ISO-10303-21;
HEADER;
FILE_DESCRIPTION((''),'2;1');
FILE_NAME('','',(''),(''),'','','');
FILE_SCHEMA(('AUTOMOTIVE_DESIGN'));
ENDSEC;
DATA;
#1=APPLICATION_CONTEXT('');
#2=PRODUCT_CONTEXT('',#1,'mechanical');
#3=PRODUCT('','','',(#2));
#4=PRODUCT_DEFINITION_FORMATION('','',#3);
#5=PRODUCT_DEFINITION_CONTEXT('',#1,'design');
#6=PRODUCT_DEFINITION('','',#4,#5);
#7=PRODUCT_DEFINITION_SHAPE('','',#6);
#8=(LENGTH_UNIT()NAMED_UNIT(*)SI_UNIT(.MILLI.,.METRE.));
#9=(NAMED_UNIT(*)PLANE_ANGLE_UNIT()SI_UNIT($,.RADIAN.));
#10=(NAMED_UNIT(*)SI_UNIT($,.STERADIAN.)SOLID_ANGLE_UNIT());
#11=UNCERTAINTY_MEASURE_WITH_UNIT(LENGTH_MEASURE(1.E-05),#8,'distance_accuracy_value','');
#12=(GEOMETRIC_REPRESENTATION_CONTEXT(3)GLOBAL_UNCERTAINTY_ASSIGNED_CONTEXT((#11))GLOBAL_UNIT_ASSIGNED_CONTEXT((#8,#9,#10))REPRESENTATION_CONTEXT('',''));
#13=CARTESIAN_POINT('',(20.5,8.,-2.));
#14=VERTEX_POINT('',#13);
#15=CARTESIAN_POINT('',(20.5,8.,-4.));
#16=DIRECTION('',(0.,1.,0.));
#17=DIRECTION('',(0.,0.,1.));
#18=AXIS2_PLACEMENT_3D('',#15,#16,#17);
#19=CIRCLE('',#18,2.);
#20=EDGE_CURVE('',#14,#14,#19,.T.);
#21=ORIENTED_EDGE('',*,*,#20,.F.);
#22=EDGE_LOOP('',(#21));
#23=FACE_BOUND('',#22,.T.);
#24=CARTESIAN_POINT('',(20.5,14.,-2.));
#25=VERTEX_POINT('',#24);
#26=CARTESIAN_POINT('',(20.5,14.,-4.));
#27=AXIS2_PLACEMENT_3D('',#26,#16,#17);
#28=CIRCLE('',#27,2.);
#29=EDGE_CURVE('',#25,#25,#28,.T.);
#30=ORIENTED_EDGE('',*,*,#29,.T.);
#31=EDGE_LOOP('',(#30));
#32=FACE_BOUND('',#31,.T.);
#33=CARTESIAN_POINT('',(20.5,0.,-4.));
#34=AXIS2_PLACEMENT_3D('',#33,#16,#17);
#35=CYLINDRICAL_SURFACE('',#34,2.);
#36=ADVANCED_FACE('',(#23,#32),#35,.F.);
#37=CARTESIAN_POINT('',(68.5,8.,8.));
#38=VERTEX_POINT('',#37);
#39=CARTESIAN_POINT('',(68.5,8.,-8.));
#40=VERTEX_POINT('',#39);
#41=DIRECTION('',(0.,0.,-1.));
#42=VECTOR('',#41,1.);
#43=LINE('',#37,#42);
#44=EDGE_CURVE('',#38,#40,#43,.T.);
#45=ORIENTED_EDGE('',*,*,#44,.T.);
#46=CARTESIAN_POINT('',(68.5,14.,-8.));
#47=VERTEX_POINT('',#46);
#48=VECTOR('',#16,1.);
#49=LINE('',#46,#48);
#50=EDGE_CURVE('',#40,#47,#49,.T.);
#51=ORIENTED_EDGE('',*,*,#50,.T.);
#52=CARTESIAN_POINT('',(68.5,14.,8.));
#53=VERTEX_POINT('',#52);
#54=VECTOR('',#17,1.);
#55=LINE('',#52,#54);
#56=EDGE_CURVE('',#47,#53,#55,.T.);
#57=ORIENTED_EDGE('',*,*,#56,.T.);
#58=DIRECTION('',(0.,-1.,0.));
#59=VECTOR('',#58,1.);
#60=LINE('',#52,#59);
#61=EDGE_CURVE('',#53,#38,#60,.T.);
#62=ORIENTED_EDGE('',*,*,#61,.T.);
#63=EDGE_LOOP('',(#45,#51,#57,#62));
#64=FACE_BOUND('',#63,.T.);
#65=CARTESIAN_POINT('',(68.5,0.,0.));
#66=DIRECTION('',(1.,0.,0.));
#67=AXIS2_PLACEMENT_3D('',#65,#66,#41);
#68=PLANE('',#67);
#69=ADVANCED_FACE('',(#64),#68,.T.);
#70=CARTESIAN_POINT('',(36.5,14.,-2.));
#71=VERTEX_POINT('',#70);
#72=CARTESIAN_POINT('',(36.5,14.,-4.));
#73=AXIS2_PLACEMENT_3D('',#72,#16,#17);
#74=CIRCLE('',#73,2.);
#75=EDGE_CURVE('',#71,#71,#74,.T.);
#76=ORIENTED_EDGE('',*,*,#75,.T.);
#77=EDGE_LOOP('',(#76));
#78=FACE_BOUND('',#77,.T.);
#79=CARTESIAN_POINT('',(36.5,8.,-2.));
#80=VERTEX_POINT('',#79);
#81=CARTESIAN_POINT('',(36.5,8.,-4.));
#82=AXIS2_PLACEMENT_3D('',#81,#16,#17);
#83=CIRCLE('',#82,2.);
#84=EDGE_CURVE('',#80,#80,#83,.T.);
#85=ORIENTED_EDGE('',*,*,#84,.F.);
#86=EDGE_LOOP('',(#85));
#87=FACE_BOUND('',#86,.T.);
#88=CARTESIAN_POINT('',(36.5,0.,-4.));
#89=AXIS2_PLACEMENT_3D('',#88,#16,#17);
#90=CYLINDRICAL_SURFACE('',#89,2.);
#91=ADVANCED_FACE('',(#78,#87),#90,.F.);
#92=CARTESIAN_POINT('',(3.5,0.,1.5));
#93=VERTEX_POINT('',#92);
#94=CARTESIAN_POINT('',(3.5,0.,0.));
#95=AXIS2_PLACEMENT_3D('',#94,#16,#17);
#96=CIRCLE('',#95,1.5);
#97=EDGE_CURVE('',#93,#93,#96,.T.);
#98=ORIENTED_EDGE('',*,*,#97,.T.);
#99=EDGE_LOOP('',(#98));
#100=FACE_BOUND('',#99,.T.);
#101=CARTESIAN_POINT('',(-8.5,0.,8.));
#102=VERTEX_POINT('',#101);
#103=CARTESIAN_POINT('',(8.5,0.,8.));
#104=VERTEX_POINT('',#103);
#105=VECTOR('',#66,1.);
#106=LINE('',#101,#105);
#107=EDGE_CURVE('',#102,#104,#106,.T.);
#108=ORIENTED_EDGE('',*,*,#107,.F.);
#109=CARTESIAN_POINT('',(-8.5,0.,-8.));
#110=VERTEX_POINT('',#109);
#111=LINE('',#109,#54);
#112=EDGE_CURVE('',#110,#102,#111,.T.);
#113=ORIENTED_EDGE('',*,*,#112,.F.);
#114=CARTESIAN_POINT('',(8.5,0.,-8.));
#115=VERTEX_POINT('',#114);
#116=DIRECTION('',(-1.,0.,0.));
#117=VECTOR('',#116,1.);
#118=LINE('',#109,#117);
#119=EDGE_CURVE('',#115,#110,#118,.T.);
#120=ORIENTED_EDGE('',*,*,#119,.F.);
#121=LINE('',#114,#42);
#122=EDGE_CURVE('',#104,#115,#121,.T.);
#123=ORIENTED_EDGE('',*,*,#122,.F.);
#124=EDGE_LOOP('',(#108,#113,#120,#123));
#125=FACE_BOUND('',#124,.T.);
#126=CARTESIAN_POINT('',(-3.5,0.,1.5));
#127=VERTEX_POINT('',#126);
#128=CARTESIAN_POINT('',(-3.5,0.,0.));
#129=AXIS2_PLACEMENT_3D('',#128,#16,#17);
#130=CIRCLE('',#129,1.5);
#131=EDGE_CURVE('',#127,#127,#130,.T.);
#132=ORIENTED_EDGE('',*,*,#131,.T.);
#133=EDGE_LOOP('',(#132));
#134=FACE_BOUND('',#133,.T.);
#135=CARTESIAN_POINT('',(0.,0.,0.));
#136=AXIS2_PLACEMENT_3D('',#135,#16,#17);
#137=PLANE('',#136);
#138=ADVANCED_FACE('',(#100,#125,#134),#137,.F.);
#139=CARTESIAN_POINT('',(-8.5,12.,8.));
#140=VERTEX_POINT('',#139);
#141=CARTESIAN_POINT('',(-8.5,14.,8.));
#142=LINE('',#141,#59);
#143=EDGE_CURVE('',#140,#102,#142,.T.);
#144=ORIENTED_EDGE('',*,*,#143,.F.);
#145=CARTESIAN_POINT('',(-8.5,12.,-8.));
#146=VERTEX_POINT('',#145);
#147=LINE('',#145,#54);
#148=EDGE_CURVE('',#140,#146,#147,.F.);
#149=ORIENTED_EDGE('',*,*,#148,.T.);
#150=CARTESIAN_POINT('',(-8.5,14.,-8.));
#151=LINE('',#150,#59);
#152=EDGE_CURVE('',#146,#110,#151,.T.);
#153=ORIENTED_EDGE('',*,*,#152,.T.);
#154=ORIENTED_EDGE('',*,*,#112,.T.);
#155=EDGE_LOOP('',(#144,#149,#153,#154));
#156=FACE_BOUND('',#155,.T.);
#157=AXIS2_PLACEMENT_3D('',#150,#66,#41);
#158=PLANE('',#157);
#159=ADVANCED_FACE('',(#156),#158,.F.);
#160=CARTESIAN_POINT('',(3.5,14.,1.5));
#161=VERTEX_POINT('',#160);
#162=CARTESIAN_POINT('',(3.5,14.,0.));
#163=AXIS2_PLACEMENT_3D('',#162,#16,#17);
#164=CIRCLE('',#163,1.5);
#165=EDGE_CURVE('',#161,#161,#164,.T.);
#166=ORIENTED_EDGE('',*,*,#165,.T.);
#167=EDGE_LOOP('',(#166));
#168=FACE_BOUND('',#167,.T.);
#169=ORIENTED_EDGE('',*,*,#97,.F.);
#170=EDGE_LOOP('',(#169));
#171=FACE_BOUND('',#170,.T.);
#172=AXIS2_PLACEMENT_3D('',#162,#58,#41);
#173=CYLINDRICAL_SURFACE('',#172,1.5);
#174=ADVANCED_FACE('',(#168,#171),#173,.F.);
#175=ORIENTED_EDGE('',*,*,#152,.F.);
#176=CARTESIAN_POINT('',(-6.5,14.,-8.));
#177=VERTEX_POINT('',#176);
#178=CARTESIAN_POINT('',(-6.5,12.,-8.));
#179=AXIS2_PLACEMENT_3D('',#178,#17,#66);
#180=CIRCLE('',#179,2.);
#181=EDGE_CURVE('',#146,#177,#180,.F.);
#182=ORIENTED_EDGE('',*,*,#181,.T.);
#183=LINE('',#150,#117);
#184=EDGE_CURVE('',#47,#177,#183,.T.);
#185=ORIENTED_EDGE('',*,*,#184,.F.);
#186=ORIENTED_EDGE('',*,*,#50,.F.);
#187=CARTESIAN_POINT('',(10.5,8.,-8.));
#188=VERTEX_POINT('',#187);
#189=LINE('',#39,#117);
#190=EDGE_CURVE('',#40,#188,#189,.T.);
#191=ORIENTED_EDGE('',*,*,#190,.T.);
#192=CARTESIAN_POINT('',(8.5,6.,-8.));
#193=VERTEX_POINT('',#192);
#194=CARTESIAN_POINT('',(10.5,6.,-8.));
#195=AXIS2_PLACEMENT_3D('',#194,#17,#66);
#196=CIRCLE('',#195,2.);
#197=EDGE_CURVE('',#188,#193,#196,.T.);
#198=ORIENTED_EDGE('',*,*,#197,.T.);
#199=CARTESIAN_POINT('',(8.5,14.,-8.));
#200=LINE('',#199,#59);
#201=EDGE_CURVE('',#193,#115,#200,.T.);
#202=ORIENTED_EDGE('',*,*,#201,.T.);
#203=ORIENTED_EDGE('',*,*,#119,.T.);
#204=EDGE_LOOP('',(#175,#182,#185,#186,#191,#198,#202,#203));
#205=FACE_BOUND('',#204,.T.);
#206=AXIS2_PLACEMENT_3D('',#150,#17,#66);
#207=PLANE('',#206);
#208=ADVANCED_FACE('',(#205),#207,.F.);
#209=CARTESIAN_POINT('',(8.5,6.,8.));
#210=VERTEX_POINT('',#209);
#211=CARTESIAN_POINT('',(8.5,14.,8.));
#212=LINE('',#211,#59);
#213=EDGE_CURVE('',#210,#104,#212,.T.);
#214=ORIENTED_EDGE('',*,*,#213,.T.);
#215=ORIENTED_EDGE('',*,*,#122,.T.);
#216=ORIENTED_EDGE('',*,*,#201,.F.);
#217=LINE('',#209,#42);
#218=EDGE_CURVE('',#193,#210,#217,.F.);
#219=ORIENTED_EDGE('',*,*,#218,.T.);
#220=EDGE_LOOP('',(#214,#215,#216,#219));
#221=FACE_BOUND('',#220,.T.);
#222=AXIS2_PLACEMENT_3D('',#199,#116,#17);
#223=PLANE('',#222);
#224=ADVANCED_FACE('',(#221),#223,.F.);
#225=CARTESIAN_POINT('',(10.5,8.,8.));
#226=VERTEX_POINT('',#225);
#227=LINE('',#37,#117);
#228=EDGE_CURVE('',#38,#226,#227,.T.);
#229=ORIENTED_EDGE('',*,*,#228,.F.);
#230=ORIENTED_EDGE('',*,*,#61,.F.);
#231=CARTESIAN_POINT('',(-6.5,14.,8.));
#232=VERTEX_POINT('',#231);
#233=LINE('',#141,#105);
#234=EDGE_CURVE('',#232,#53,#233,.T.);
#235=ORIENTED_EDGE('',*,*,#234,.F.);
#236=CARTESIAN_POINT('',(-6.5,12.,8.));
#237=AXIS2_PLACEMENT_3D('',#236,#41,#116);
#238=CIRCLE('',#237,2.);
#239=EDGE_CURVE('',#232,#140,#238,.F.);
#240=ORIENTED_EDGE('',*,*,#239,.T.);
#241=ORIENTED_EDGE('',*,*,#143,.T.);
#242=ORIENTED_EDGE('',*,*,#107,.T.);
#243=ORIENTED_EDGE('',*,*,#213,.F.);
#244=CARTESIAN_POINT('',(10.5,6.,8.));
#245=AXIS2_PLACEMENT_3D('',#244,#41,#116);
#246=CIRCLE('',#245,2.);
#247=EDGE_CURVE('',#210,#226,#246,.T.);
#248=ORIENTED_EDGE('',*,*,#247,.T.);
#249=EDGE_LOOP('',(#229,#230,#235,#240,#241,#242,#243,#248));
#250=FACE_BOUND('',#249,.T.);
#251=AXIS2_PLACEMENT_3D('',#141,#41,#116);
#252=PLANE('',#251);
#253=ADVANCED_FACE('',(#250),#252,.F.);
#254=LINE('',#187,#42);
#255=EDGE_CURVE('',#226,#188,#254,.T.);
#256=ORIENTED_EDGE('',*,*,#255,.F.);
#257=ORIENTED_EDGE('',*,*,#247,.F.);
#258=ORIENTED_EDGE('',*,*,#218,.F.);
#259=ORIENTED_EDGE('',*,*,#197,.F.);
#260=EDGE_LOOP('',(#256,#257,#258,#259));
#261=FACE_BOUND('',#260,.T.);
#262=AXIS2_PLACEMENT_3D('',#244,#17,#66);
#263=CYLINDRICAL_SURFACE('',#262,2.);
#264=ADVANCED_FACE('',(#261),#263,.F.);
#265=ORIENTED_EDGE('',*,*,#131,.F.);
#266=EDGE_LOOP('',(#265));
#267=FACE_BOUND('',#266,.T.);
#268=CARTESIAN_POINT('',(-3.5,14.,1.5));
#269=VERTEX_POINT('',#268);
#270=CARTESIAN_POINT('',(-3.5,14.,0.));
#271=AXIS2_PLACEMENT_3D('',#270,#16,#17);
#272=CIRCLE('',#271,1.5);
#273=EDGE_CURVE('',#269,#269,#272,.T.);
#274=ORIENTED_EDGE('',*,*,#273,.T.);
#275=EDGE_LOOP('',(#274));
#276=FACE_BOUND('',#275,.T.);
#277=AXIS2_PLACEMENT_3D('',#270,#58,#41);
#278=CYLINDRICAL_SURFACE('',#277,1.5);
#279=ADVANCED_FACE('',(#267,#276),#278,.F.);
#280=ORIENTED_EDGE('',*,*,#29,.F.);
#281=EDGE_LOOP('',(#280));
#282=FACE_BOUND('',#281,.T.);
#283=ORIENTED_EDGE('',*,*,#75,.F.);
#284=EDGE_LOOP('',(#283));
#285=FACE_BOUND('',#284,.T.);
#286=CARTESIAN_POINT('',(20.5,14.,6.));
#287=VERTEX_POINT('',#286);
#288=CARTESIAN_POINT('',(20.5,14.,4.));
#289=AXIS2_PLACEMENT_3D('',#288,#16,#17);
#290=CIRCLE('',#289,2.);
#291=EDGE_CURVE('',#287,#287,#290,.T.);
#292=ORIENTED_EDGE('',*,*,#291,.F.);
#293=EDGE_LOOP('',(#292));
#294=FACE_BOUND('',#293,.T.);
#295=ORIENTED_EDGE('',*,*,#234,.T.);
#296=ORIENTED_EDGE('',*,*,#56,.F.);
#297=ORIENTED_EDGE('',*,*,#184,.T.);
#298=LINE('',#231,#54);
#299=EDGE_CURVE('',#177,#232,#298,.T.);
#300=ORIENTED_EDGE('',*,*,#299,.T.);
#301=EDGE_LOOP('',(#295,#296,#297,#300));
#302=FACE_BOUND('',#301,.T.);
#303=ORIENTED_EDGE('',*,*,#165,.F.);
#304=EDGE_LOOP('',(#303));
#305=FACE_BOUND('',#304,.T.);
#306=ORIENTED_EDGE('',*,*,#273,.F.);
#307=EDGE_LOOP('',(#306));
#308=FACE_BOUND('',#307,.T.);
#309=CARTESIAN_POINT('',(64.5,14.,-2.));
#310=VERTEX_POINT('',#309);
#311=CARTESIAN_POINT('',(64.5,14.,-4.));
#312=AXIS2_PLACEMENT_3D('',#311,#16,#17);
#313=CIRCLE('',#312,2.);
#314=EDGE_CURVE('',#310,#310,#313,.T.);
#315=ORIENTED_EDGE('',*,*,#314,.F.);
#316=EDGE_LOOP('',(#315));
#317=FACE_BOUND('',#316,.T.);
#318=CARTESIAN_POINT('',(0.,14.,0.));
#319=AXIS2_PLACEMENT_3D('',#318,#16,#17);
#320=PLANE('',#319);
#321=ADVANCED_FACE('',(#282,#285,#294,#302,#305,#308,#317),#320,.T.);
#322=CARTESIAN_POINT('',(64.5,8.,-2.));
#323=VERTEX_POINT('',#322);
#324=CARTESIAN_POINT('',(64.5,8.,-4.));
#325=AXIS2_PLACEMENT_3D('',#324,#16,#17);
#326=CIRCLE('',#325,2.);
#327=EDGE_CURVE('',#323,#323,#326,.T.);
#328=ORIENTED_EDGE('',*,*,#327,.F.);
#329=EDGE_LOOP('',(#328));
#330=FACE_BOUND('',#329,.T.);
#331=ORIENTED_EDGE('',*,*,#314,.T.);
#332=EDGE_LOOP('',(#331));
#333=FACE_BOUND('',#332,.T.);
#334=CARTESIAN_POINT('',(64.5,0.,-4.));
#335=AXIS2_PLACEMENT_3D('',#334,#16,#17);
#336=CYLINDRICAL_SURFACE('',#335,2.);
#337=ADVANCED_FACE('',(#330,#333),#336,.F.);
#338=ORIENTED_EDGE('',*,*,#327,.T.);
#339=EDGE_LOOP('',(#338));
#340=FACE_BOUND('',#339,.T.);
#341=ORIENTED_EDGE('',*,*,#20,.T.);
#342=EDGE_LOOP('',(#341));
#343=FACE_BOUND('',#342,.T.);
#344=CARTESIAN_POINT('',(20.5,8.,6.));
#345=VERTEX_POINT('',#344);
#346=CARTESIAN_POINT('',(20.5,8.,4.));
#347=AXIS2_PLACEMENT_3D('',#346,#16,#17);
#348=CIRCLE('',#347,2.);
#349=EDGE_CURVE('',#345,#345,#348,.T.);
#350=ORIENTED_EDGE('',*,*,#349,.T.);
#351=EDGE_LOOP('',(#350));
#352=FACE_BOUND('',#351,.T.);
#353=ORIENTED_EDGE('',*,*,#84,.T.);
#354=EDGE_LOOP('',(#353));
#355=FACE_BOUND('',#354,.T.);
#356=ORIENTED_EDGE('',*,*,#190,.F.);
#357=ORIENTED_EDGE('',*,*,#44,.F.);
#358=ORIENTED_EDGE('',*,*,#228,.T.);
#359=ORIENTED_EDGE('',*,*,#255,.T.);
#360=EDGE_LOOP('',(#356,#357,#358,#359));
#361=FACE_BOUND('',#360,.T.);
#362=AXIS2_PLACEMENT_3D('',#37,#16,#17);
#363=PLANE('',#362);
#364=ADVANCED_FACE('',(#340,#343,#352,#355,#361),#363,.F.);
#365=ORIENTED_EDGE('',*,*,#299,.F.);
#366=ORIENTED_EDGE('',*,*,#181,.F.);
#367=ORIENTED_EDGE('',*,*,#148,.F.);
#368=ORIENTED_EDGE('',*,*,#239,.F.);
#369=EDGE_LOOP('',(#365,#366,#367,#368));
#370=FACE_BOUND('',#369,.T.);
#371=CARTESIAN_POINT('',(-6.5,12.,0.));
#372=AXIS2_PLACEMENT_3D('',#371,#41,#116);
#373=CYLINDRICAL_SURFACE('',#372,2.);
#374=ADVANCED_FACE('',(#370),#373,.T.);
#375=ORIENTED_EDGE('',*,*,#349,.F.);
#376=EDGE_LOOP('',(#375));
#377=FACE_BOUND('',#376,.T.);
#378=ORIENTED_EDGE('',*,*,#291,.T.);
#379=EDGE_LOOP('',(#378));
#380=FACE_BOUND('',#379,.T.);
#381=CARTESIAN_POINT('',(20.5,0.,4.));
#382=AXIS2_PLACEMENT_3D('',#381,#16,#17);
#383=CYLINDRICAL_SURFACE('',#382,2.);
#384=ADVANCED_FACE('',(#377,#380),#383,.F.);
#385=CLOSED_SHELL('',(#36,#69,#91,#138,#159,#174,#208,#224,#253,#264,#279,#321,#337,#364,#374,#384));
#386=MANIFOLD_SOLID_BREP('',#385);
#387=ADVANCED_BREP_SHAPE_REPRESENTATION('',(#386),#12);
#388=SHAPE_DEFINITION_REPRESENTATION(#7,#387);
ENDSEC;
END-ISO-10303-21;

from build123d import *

# Parameters (mm, degrees)
SKETCH1_W           = 17
SKETCH1_H           = 16
SKETCH1_R           = 1.5
BOSS_EXTRUDE1_DEPTH = 14
SKETCH3_W           = 16
SKETCH3_H           = 6
BOSS_EXTRUDE2_DEPTH = 60
SKETCH4_R           = 2
CUT_EXTRUDE1_DEPTH  = 71.372224634
FILLET1_R           = 2
FILLET2_R           = 2


with BuildPart() as part:
    # Sketch1 → Boss-Extrude1 (new body)
    with BuildSketch(Plane(origin=(0, 0, 0), x_dir=(1, 0, 0), z_dir=(0, 1, 0))):
        Rectangle(SKETCH1_W, SKETCH1_H)
        with Locations(Location((-3.5, 0, 0), (0, 0, 270))):
            Circle(SKETCH1_R, mode=Mode.SUBTRACT)
        with Locations(Location((3.5, 0, 0), (0, 0, 270))):
            Circle(SKETCH1_R, mode=Mode.SUBTRACT)
    extrude(amount=BOSS_EXTRUDE1_DEPTH)

    # Sketch3 → Boss-Extrude2 (add)
    with BuildSketch(Plane(origin=(8.5, 0, 0), x_dir=(0, 0, -1), z_dir=(1, 0, 0))):
        with Locations((0, 11)):
            Rectangle(SKETCH3_W, SKETCH3_H)
    extrude(amount=BOSS_EXTRUDE2_DEPTH)

    # Sketch4 → Cut-Extrude1 (cut, through all)
    with BuildSketch(Plane(origin=(0, 14, 0), x_dir=(1, 0, 0), z_dir=(0, 1, 0))):
        with Locations(Location((36.5, 4, 0), (0, 0, 270))):
            Circle(SKETCH4_R)
        with Locations(Location((64.5, 4, 0), (0, 0, 270))):
            Circle(SKETCH4_R)
        with Locations(Location((20.5, 4, 0), (0, 0, 270))):
            Circle(SKETCH4_R)
        with Locations(Location((20.5, -4, 0), (0, 0, 270))):
            Circle(SKETCH4_R)
    extrude(amount=-CUT_EXTRUDE1_DEPTH, mode=Mode.SUBTRACT)

    # Fillet1
    fillet1_edges = [part.edges().sort_by_distance(p)[0] for p in [
        (8.5, 8, 0),
    ]]
    fillet(fillet1_edges, radius=FILLET1_R)

    # Fillet2
    fillet2_edges = [part.edges().sort_by_distance(p)[0] for p in [
        (-8.5, 14, 0),
    ]]
    fillet(fillet2_edges, radius=FILLET2_R)


solid = part.part
